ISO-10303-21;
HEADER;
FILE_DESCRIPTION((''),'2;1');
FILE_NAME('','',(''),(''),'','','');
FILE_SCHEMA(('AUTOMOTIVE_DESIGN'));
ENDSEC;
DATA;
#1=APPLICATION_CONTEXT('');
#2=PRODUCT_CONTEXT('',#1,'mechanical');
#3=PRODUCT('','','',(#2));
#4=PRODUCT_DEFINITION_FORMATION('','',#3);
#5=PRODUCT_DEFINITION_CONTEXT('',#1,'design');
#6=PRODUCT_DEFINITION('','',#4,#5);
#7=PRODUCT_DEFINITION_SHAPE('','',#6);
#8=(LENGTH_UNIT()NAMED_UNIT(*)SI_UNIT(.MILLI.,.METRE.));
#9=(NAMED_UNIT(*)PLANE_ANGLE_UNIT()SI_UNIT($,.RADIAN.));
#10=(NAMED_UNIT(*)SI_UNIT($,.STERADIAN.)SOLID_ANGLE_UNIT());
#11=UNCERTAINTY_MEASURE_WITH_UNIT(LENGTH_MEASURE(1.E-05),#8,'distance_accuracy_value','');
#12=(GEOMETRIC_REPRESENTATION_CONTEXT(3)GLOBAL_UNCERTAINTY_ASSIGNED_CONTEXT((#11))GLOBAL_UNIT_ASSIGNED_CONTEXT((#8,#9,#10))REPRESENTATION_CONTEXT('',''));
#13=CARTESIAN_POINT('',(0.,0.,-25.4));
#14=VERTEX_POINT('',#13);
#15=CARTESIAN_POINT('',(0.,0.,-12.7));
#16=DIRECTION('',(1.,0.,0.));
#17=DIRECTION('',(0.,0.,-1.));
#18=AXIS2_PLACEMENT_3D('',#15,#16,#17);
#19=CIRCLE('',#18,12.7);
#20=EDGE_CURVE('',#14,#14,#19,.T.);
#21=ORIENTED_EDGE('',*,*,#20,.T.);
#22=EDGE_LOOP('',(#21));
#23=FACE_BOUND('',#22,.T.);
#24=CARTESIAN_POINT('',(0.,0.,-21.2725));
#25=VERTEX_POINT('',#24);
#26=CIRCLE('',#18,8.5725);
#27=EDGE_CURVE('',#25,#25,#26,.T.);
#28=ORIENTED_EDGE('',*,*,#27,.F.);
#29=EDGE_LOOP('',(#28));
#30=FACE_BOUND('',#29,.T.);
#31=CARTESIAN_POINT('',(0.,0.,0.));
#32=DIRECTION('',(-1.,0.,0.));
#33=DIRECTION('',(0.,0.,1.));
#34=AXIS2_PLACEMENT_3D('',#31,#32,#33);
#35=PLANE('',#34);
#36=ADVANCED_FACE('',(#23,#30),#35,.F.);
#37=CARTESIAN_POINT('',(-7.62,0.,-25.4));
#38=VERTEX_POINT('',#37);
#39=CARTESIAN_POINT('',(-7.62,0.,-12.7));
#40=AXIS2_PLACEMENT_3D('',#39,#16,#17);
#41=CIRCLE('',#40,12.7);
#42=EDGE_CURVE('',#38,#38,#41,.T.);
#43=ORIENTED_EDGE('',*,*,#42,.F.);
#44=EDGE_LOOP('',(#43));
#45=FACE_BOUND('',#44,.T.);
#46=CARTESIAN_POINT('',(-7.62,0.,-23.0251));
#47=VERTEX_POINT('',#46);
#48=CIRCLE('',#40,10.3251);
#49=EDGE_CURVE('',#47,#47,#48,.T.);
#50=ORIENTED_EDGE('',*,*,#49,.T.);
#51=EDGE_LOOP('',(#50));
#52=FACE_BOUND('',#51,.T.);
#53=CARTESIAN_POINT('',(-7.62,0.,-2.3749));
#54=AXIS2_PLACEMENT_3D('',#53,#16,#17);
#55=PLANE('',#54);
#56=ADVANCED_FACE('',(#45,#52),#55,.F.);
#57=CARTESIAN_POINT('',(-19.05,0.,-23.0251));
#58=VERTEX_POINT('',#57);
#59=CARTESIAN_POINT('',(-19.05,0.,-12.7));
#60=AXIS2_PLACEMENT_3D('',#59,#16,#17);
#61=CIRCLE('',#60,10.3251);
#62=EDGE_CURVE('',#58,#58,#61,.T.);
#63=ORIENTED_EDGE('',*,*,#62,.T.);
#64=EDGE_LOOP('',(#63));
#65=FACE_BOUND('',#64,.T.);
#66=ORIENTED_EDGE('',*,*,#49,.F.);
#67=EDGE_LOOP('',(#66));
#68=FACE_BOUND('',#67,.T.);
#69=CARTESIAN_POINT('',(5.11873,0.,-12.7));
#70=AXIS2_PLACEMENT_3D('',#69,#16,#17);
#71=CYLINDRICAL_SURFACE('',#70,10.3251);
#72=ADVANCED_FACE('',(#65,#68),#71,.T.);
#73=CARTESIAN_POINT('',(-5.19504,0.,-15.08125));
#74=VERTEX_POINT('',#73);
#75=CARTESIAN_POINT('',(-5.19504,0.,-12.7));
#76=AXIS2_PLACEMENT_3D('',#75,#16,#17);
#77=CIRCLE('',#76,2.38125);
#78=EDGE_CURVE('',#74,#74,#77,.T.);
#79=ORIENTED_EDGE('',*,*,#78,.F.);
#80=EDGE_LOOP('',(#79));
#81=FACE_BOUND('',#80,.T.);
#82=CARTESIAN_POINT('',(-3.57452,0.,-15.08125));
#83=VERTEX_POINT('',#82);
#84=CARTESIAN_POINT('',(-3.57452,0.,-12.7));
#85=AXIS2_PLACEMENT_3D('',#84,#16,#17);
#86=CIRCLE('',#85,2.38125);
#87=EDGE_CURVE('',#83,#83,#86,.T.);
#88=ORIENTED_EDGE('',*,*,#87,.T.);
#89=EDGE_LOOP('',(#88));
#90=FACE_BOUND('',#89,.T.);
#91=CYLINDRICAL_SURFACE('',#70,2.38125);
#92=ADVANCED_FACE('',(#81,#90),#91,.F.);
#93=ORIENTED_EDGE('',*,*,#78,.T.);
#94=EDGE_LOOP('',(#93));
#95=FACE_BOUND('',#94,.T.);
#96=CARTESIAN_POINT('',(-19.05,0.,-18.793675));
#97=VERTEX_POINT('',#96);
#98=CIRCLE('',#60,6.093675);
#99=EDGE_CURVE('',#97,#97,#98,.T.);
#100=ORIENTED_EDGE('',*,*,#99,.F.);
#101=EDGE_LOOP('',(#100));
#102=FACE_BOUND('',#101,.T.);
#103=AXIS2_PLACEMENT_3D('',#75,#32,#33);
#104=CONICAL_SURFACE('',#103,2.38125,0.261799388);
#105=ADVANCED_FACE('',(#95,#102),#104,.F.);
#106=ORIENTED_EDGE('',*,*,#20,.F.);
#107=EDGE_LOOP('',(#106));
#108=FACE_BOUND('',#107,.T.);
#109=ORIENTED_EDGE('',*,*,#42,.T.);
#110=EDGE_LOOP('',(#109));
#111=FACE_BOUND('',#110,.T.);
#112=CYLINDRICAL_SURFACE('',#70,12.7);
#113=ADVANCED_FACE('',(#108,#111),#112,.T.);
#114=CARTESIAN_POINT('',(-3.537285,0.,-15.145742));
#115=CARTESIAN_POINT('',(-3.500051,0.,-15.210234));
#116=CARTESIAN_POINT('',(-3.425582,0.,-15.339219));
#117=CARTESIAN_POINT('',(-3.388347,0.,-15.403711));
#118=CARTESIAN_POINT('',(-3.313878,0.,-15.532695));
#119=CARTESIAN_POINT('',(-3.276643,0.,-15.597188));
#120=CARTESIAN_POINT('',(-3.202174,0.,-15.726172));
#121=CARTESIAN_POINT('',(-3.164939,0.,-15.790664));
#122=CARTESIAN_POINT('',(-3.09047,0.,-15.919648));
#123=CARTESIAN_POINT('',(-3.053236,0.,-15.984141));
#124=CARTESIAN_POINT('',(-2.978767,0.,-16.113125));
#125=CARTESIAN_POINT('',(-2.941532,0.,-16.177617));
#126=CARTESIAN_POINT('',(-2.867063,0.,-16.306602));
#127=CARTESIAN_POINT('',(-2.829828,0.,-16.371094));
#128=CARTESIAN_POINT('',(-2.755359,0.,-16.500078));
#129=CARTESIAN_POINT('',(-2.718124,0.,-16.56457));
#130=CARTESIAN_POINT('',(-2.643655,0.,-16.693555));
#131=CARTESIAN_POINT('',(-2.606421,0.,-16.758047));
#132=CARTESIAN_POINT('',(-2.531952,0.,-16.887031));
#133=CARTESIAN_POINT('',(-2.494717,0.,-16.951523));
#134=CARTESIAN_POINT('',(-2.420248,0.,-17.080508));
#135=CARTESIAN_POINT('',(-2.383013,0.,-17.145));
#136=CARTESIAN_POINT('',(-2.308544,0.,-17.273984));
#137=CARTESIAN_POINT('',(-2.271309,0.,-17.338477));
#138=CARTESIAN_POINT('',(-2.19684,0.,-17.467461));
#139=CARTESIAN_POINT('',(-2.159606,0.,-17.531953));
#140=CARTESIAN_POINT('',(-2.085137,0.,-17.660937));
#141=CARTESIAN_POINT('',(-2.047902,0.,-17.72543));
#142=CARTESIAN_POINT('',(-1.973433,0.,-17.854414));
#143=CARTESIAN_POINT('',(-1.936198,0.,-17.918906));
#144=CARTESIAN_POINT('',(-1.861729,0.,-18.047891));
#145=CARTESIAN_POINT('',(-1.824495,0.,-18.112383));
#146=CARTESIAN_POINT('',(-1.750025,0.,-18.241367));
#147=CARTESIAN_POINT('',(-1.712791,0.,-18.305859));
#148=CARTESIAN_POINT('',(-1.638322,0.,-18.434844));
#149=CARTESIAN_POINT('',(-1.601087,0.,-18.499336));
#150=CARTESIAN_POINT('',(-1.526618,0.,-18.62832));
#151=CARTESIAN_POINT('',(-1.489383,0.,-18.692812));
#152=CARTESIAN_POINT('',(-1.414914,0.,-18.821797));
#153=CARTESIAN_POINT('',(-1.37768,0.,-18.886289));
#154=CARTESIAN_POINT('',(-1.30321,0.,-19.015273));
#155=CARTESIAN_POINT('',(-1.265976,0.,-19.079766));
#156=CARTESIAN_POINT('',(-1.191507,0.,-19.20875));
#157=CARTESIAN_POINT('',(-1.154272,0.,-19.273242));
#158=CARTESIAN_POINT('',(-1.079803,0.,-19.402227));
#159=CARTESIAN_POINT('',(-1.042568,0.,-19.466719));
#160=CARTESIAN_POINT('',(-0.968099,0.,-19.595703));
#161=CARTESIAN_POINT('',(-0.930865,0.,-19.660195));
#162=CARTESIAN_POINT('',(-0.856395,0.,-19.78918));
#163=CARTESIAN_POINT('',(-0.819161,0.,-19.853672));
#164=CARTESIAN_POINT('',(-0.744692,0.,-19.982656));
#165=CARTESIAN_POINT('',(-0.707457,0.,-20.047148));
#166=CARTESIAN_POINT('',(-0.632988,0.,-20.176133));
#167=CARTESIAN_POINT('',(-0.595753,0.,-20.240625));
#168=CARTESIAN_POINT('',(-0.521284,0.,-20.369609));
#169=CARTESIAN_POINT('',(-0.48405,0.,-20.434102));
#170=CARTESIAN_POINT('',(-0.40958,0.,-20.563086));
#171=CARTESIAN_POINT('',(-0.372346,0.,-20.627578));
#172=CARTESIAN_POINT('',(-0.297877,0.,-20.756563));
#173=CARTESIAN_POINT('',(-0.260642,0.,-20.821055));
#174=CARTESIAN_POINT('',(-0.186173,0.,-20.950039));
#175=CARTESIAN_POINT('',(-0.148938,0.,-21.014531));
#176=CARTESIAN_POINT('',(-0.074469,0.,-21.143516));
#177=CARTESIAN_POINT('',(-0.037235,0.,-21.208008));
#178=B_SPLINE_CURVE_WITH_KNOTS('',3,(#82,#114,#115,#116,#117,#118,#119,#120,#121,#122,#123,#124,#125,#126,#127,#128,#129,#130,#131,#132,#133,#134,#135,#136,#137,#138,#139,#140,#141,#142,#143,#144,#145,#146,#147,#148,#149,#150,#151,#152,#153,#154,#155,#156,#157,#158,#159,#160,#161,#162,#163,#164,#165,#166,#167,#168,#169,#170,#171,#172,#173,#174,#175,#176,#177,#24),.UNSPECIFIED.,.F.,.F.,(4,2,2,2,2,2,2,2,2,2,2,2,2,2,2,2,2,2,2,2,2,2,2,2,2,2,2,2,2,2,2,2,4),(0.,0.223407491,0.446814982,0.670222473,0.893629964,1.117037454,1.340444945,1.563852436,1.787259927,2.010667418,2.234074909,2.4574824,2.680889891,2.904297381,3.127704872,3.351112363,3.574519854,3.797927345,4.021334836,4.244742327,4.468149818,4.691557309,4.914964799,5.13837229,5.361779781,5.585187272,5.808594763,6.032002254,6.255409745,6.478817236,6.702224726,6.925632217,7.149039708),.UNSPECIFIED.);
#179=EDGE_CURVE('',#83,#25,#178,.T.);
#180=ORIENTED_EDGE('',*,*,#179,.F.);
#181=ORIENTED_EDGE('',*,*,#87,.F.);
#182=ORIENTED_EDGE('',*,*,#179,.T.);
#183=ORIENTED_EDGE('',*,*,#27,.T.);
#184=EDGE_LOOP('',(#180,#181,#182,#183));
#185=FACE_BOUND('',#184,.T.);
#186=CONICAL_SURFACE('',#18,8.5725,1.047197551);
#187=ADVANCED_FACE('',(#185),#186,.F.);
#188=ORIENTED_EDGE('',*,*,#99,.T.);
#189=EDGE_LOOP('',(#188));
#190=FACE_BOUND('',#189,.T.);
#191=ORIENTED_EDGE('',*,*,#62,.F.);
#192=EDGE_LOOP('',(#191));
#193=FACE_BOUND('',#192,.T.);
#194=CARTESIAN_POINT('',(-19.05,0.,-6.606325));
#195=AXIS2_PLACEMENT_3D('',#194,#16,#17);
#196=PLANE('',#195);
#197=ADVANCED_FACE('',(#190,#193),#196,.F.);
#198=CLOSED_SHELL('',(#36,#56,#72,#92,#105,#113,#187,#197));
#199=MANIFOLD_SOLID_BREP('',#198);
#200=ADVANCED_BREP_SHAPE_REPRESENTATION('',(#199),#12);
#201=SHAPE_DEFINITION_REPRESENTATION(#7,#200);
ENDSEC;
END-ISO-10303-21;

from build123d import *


with BuildPart() as part:
    # Sketch1 → Revolve1 (revolve)
    with BuildSketch(Plane(origin=(0, 0, 0), x_dir=(1, 0, 0), z_dir=(0, 1, 0)), mode=Mode.PRIVATE) as revolve1_sk:
        Polygon((0, 0), (0, 4.1275), (-3.574519854, 10.31875), (-5.195039854, 10.31875), (-19.05, 6.606324618), (-19.05, 2.3749), (-7.62, 2.3749), (-7.62, 0), align=None)
    revolve(revolve1_sk.sketch.rotate(Axis((5.118729701, 0, -12.7), (-1, 0, 0)), 180), axis=Axis((5.118729701, 0, -12.7), (-1, 0, 0)))


solid = part.part
